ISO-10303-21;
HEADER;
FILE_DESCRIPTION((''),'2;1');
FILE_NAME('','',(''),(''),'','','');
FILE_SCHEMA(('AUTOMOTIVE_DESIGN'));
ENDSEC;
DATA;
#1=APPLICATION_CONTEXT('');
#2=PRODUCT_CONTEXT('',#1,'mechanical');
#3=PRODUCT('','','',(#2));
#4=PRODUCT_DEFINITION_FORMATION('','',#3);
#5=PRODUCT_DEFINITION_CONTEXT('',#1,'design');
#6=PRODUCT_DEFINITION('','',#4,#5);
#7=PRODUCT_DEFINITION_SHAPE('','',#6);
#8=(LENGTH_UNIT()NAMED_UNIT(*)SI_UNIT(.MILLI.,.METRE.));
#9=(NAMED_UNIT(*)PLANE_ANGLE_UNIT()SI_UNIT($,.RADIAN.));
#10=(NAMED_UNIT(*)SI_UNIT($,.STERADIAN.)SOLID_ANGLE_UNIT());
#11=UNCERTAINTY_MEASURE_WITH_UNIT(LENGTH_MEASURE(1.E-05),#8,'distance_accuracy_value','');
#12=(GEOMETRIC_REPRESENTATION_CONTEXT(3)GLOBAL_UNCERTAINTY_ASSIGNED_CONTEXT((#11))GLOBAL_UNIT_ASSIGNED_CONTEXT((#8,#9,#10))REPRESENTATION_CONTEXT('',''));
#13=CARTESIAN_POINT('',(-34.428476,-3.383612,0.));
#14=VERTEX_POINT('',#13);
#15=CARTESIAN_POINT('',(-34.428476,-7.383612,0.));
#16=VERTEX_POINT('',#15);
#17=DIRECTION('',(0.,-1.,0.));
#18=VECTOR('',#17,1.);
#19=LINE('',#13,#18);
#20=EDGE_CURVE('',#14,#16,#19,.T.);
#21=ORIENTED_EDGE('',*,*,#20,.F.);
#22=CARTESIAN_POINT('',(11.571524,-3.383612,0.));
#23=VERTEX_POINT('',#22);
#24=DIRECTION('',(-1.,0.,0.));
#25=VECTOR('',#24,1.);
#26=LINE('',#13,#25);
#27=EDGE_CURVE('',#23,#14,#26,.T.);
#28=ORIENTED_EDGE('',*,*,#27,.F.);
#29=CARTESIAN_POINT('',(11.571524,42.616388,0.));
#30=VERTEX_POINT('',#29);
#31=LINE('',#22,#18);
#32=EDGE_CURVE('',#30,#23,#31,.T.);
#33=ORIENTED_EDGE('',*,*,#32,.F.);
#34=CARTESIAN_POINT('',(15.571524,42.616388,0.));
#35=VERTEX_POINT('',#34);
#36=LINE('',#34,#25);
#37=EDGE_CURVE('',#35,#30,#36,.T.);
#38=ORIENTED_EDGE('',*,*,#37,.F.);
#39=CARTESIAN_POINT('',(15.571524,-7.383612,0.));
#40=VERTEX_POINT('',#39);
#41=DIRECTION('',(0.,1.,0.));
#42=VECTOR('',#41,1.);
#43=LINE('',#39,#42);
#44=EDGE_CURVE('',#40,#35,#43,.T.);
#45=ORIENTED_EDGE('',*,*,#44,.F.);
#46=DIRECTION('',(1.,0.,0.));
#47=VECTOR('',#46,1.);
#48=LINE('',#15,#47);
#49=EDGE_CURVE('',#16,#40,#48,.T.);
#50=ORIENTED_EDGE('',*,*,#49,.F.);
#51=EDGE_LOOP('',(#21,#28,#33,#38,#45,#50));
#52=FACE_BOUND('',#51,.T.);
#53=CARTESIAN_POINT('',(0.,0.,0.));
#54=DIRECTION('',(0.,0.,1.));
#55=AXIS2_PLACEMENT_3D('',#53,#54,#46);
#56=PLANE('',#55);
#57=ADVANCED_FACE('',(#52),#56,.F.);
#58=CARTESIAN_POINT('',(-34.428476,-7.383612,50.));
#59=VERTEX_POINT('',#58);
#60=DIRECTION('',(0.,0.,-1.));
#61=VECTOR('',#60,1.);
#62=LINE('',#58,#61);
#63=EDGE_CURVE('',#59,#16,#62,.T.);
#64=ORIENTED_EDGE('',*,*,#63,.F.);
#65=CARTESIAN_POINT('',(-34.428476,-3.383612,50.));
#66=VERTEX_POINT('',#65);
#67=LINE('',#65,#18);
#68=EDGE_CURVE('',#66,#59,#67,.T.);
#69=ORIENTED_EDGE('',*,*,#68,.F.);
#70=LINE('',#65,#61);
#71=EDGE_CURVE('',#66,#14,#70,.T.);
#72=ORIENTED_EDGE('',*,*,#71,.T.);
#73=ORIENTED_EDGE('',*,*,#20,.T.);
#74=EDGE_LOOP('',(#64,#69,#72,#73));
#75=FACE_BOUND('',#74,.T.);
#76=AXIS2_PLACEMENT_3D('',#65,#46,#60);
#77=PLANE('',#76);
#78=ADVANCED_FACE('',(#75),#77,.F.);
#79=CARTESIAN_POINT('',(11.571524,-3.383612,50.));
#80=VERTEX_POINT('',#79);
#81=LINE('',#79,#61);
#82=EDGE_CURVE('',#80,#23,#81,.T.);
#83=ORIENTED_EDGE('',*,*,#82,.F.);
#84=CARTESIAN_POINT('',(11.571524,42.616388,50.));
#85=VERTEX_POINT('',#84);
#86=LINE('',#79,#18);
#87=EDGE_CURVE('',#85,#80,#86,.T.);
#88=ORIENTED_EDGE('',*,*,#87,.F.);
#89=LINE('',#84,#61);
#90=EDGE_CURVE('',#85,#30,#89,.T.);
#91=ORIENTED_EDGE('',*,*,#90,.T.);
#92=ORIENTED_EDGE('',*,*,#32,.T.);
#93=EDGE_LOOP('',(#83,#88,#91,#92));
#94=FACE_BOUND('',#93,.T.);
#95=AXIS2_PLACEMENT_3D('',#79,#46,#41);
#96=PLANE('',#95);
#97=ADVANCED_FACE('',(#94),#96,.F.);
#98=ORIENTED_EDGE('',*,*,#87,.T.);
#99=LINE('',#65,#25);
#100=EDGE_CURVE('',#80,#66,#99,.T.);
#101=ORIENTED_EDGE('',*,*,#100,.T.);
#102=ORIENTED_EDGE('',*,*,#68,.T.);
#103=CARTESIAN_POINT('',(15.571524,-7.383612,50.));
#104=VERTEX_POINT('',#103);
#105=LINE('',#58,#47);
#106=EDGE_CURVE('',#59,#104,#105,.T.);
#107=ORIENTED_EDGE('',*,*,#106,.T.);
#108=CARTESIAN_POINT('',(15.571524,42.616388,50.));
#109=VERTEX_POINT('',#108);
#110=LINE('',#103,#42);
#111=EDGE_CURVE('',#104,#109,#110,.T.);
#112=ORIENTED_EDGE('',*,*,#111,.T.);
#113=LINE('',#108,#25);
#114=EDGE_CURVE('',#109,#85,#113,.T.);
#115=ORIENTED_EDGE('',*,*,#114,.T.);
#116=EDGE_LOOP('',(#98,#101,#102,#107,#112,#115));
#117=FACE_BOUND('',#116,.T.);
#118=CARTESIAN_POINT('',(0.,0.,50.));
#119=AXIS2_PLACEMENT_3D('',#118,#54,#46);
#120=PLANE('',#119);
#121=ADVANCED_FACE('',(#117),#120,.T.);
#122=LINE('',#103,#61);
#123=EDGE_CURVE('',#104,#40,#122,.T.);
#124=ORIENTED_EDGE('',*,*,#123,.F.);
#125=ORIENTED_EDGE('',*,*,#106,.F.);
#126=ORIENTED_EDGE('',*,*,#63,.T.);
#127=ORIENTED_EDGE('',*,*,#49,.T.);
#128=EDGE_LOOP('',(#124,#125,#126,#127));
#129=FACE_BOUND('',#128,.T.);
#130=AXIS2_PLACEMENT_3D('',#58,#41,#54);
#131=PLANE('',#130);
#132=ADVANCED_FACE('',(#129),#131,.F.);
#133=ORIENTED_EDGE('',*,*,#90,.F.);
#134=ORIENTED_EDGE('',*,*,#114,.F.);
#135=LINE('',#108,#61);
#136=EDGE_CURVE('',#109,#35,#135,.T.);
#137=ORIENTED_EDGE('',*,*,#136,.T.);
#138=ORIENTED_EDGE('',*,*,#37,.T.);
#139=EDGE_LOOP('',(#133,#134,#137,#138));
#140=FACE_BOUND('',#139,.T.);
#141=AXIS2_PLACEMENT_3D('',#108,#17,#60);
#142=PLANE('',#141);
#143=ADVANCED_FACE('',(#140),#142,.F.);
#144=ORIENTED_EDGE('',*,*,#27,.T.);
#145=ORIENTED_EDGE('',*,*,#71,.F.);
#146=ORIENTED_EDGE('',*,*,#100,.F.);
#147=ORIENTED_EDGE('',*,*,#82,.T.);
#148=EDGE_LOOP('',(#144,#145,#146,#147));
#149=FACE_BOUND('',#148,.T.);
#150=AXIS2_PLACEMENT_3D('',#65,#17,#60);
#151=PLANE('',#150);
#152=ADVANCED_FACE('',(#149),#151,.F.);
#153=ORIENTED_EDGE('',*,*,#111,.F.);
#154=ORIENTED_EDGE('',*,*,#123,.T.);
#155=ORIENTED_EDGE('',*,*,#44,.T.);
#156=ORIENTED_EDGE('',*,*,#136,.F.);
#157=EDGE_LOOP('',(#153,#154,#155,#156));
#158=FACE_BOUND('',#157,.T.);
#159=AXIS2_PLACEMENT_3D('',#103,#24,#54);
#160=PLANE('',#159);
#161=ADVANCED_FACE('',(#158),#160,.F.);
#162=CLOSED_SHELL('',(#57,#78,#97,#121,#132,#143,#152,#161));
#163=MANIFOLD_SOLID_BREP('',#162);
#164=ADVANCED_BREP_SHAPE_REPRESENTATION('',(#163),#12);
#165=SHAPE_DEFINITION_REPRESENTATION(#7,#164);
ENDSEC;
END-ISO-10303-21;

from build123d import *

# Parameters (mm, degrees)
BOSS_EXTRUDE1_DEPTH = 50


with BuildPart() as part:
    # Sketch1 → Boss-Extrude1 (new body)
    with BuildSketch(Plane.XY):
        Polygon((-34.428476147, -7.383612423), (15.571523853, -7.383612423), (15.571523853, 42.616387577), (11.571523853, 42.616387577), (11.571523853, -3.383612423), (-34.428476147, -3.383612423), align=None)
    extrude(amount=BOSS_EXTRUDE1_DEPTH)


solid = part.part
